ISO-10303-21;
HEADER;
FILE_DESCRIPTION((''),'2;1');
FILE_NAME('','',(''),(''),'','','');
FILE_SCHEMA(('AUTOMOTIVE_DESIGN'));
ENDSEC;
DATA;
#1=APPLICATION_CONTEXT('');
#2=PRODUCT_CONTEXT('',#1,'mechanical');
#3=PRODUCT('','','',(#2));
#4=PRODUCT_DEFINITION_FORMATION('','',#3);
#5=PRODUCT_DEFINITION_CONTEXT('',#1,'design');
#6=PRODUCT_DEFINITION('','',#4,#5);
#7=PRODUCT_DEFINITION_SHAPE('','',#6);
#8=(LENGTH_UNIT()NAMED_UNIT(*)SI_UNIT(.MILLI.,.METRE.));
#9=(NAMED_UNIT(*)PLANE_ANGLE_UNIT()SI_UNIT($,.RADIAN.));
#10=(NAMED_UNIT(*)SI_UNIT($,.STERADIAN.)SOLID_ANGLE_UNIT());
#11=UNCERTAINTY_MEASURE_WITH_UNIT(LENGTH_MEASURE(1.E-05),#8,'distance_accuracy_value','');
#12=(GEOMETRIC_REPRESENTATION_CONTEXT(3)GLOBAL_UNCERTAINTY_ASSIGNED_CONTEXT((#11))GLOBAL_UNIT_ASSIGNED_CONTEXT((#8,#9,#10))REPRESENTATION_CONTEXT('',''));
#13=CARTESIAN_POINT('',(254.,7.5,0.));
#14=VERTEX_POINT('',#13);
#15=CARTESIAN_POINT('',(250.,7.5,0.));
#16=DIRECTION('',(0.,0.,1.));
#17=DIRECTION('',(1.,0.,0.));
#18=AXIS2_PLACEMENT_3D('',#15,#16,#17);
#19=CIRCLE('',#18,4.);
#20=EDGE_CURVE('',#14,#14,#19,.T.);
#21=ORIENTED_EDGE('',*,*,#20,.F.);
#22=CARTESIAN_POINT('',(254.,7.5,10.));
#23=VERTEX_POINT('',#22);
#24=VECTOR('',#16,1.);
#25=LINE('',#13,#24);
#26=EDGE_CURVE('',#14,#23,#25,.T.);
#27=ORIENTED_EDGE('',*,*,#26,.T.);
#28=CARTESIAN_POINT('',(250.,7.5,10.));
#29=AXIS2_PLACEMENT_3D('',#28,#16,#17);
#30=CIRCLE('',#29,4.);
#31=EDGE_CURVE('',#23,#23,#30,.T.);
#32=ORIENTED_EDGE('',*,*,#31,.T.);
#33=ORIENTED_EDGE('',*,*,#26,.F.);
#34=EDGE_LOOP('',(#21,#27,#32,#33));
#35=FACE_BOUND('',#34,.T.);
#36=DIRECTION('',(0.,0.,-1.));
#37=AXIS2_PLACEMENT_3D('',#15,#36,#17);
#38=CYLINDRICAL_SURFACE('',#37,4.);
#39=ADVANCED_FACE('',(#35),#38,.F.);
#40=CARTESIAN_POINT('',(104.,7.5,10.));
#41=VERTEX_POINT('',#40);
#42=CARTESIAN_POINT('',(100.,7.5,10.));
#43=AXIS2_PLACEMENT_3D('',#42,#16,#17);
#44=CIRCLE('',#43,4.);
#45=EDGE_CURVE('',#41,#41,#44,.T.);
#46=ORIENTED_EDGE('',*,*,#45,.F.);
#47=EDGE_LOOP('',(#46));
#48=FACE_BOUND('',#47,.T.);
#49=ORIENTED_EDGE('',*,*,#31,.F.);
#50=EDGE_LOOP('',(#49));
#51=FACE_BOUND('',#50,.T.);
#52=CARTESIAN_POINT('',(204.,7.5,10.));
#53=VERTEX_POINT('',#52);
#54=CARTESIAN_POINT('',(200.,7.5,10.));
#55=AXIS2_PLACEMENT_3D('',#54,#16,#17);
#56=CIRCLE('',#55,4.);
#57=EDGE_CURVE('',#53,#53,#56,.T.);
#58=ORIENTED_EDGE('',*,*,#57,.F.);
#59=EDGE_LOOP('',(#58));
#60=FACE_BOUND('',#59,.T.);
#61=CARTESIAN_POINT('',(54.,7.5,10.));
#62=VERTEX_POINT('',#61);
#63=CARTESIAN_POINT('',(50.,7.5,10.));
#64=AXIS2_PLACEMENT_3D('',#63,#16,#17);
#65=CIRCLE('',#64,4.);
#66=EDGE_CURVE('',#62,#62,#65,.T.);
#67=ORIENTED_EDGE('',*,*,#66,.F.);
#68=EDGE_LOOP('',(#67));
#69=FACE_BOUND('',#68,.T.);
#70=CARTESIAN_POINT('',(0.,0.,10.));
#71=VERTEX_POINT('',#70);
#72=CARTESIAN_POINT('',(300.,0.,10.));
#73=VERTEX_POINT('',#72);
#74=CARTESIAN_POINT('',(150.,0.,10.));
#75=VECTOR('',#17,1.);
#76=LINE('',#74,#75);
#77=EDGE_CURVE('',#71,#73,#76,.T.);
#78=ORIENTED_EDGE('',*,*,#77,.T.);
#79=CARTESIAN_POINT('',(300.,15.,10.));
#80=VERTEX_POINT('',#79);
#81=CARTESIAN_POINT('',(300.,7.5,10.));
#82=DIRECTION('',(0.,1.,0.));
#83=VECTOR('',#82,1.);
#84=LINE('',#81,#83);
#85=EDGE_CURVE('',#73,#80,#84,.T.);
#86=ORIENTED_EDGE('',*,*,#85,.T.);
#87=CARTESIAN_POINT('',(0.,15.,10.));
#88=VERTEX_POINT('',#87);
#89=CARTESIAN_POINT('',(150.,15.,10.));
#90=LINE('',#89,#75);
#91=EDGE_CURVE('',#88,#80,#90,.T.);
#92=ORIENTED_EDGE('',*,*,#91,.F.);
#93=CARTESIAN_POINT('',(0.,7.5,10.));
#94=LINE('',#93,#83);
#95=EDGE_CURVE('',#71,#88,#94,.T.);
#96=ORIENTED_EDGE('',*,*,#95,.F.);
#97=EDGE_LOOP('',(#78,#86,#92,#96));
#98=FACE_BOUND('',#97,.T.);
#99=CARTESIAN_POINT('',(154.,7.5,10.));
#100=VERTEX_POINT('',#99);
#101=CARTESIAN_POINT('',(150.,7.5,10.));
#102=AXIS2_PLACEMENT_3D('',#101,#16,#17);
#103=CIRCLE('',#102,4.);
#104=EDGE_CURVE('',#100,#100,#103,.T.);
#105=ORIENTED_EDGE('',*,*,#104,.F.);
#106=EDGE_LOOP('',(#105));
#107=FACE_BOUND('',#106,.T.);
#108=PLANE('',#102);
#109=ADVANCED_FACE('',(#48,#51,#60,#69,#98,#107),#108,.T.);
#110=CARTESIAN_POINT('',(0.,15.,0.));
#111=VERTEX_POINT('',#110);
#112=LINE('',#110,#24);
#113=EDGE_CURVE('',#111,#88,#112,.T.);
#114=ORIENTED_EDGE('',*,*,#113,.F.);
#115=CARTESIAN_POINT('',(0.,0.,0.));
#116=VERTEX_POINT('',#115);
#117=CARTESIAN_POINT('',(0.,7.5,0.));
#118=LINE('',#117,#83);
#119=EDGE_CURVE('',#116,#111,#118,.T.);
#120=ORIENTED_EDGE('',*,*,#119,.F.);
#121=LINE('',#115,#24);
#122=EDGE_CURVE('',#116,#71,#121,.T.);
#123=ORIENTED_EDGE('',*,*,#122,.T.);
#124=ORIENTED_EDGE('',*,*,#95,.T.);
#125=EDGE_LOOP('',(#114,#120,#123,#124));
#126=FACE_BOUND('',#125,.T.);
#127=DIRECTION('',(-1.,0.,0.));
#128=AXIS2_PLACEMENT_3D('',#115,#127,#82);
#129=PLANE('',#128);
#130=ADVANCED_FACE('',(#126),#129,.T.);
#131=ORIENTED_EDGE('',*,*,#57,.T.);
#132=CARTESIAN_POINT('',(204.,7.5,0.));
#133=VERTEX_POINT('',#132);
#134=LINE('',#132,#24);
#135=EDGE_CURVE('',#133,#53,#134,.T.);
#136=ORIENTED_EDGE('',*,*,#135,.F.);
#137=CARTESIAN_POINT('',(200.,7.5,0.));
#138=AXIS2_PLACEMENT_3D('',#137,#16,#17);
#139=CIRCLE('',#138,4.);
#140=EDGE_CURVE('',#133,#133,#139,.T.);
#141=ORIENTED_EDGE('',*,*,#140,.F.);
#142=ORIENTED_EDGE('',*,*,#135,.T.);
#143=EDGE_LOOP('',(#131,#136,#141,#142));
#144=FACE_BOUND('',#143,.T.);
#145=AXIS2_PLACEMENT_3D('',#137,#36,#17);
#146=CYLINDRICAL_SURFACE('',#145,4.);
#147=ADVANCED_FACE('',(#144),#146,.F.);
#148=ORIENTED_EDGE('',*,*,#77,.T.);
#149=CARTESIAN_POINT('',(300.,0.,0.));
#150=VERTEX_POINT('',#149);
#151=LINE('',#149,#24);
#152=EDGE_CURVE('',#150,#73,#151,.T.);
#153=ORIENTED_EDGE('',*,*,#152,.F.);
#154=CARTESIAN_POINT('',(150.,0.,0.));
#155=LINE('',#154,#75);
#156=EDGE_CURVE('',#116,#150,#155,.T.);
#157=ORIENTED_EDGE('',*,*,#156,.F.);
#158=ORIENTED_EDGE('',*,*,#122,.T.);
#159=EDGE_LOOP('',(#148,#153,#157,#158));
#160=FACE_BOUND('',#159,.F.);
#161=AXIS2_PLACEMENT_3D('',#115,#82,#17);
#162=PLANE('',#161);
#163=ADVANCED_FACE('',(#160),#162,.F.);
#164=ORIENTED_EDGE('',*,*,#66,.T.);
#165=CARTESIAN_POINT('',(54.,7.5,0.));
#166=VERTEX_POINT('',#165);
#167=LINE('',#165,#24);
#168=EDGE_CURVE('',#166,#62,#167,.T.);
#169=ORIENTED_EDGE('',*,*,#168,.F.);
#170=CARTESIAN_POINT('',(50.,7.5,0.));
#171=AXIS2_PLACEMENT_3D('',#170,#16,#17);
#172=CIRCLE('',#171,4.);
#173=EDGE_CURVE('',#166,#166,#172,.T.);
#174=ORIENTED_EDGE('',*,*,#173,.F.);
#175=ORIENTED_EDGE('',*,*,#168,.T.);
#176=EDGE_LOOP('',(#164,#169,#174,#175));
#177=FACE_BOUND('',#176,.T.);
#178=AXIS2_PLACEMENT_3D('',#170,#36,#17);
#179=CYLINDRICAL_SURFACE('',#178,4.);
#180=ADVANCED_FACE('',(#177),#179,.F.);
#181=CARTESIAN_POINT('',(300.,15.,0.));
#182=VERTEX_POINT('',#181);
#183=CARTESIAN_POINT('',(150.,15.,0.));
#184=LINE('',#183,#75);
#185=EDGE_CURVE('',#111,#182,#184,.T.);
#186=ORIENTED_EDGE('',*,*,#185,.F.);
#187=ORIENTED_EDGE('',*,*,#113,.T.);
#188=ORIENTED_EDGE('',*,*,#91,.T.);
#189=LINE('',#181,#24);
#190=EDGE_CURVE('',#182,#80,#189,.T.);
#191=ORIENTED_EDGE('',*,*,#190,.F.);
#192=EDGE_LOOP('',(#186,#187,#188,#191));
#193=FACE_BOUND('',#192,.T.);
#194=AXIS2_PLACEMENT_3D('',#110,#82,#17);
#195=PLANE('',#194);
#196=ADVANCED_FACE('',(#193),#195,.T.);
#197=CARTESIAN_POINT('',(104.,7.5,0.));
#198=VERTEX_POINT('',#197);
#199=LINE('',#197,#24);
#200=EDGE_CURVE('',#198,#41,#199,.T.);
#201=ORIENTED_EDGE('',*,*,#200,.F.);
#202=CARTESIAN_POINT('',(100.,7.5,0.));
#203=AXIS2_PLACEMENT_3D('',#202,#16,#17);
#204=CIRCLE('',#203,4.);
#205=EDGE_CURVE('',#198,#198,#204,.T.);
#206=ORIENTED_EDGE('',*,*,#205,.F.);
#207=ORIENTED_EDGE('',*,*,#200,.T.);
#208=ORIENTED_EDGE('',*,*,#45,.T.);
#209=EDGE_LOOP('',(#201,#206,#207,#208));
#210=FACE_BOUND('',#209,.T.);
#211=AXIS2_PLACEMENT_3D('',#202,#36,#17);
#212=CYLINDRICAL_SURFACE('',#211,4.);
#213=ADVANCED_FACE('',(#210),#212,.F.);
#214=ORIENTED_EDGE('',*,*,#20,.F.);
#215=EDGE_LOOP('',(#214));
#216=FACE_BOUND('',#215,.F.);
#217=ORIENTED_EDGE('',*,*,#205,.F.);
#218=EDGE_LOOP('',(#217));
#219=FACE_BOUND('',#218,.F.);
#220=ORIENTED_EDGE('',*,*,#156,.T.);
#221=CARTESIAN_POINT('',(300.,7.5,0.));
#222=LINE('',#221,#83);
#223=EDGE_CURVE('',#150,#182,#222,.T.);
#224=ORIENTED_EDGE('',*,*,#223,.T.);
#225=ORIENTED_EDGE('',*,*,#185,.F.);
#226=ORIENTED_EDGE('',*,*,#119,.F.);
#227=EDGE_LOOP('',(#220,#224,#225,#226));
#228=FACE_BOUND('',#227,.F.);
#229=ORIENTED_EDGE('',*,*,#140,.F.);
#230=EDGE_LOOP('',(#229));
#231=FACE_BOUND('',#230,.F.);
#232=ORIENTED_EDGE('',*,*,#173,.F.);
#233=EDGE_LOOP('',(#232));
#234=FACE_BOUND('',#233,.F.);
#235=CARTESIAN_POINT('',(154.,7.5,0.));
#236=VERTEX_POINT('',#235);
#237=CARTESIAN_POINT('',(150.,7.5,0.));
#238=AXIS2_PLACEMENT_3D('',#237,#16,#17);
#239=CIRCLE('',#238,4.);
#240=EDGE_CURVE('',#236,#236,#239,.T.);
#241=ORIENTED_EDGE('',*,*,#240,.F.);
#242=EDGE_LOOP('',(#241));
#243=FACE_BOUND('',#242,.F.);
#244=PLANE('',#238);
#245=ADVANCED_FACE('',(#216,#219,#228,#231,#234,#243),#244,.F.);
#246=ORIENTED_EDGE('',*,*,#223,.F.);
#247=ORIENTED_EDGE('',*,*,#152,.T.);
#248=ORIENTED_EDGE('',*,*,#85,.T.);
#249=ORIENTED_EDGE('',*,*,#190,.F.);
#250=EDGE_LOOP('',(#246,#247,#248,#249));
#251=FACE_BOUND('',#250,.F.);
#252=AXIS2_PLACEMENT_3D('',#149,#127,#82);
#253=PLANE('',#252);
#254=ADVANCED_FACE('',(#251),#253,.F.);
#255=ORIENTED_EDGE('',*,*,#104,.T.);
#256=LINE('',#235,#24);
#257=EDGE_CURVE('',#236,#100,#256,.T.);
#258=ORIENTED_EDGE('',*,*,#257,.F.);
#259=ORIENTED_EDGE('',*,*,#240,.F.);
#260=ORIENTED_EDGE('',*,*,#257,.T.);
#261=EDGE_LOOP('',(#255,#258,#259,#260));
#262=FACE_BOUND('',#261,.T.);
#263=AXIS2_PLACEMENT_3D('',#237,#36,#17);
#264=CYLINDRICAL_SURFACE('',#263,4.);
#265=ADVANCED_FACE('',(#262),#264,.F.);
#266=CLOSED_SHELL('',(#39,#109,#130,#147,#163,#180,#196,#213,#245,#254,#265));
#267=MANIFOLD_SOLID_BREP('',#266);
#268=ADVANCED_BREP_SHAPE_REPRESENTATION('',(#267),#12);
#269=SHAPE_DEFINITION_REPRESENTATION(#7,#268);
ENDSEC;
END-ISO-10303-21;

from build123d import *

# Parameters (mm, degrees)
SKETCH_W  = 300
SKETCH_H  = 15
SKETCH_R  = 4
PAD_DEPTH = 10


with BuildPart() as part:
    # Sketch → Pad (new body)
    with BuildSketch(Plane.XY):
        with Locations((150, 7.5)):
            Rectangle(SKETCH_W, SKETCH_H)
        with Locations((50, 7.5)):
            Circle(SKETCH_R, mode=Mode.SUBTRACT)
        with Locations((100, 7.5)):
            Circle(SKETCH_R, mode=Mode.SUBTRACT)
        with Locations((150, 7.5)):
            Circle(SKETCH_R, mode=Mode.SUBTRACT)
        with Locations((200, 7.5)):
            Circle(SKETCH_R, mode=Mode.SUBTRACT)
        with Locations((250, 7.5)):
            Circle(SKETCH_R, mode=Mode.SUBTRACT)
    extrude(amount=PAD_DEPTH)


solid = part.part
